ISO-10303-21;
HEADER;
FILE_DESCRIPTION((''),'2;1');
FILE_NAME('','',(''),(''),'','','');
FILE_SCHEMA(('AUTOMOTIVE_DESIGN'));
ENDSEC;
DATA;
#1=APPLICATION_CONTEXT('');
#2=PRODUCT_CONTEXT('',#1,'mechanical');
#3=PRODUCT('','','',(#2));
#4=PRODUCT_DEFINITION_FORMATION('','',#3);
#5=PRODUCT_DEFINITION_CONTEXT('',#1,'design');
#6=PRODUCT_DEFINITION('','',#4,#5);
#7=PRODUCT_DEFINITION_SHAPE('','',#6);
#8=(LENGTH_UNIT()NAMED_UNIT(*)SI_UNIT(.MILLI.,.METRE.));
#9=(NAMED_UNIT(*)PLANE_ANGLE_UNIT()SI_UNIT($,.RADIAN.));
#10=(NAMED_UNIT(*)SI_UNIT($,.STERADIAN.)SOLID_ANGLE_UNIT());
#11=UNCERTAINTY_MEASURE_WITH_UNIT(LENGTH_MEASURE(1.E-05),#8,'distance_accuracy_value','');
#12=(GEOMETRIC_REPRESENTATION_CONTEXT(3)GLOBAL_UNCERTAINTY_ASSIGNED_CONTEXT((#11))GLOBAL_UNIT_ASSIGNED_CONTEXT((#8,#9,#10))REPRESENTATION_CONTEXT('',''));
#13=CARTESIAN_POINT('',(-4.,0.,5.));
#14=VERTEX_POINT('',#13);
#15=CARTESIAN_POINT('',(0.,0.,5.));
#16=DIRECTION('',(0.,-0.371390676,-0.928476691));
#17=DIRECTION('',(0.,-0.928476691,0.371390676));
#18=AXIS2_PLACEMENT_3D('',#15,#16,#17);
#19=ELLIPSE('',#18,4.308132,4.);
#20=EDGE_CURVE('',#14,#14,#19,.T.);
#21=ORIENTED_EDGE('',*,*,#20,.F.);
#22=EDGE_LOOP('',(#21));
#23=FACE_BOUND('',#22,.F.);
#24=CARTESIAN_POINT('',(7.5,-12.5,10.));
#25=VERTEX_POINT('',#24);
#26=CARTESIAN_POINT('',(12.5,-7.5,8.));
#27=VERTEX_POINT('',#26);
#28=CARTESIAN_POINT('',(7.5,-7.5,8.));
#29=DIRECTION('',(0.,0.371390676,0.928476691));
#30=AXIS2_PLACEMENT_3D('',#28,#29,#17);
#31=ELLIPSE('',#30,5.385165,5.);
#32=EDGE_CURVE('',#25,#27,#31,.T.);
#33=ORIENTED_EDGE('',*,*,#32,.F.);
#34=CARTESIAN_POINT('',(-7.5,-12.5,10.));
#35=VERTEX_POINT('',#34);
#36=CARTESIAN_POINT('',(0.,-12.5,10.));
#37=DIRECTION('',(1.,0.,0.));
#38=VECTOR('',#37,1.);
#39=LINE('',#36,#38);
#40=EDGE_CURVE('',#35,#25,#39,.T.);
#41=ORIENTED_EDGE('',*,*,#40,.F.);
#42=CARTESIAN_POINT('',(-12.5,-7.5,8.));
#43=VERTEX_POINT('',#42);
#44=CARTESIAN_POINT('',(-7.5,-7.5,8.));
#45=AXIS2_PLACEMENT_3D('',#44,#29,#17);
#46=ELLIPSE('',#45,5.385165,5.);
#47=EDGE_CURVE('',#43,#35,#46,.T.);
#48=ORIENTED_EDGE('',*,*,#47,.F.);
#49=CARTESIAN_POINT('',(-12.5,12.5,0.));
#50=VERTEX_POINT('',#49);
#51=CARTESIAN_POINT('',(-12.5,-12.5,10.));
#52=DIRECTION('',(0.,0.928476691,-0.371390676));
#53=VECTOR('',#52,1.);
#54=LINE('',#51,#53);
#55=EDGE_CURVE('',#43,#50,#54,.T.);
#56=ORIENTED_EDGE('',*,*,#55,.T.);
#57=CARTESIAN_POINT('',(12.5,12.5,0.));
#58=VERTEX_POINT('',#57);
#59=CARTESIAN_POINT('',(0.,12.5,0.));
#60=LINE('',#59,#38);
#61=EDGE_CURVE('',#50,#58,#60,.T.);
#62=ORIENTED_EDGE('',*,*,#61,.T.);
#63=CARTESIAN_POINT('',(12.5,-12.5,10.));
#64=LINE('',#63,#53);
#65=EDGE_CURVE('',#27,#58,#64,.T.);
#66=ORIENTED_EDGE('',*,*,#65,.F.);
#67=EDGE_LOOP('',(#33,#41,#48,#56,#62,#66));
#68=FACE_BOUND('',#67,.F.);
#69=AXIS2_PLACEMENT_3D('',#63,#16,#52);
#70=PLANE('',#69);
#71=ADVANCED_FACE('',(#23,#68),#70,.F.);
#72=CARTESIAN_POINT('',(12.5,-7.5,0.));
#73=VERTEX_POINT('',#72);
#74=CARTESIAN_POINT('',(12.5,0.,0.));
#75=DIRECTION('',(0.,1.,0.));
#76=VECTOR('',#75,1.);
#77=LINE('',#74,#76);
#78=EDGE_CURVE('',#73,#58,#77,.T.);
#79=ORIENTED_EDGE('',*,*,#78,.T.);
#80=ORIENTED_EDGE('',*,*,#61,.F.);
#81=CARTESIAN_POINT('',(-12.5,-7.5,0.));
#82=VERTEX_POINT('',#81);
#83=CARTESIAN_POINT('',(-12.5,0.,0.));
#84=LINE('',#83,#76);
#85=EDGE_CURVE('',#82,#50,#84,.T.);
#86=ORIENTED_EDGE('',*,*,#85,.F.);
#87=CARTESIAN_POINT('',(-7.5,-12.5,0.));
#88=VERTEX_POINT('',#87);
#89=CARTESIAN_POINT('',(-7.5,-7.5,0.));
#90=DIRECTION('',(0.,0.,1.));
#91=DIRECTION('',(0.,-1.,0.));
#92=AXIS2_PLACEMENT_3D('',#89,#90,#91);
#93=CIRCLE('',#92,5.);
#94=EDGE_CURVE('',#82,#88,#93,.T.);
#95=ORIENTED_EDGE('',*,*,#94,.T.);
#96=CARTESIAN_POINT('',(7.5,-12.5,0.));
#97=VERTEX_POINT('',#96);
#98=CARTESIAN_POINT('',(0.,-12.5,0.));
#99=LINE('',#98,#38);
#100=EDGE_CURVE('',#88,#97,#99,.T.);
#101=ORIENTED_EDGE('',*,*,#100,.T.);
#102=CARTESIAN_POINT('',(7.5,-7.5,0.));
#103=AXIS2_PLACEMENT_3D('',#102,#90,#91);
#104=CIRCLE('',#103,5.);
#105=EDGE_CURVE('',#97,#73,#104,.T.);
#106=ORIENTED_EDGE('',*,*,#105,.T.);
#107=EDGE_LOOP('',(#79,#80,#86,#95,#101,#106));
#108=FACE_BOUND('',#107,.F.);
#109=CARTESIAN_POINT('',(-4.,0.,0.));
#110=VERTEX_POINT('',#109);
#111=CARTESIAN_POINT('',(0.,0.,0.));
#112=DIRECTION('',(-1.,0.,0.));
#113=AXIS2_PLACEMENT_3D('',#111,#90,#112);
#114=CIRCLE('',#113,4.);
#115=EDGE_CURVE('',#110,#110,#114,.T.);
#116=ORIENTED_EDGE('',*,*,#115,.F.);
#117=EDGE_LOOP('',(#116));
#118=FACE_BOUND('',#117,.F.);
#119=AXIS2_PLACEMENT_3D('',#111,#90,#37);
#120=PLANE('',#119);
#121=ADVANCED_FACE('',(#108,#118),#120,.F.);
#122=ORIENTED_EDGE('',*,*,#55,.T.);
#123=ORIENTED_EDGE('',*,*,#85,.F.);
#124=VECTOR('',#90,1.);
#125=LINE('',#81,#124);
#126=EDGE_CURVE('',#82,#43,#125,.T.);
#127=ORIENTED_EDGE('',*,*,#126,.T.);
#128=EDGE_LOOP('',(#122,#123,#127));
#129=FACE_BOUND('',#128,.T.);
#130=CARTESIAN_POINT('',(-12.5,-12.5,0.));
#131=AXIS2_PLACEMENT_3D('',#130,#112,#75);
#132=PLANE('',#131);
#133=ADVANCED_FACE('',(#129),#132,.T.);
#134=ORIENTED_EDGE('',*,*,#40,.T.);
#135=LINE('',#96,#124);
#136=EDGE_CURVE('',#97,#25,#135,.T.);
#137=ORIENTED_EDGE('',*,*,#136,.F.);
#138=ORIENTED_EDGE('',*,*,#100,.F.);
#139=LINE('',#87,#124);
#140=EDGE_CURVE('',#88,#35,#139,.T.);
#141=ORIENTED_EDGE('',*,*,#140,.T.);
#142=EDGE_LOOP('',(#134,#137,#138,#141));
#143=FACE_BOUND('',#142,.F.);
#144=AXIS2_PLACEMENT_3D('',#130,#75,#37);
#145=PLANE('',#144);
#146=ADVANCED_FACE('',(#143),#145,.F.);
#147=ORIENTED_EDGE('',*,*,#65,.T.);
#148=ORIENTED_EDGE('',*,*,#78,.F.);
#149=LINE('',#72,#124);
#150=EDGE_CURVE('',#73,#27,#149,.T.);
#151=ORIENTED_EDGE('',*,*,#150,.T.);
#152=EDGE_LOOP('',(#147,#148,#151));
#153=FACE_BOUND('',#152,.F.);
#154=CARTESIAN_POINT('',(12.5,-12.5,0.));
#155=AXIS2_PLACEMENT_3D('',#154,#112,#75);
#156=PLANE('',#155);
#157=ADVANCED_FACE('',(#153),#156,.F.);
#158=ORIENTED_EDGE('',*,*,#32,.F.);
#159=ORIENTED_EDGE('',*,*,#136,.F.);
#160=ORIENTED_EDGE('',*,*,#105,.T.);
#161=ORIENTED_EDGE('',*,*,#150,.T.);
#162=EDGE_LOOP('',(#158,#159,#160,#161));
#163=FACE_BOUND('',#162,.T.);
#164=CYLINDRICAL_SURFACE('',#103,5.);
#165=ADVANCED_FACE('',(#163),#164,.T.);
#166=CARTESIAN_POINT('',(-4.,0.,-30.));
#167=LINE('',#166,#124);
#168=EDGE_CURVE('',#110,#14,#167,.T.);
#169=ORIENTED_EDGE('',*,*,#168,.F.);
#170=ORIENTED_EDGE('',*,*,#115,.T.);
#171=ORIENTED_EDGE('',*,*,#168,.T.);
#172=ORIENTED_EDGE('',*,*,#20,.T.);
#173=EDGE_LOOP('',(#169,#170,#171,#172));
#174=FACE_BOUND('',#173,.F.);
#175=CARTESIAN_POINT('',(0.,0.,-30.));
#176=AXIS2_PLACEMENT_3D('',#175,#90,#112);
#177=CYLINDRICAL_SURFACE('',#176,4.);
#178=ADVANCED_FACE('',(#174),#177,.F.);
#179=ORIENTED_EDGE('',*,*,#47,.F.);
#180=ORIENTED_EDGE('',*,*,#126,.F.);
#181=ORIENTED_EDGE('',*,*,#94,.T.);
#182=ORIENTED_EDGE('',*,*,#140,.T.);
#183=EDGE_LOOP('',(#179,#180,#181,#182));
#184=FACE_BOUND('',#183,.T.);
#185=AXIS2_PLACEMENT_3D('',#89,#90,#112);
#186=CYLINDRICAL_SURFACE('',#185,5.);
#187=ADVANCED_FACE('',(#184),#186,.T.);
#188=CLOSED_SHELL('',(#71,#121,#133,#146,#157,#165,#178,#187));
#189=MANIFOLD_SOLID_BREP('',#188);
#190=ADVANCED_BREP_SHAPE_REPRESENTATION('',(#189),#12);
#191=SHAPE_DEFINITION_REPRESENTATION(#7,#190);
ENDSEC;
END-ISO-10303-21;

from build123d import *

# Parameters (mm, degrees)
F0_W     = 25
F0_H     = 25
F1_DEPTH = 10
F3_DEPTH = 25
F5_D     = 8
F5_DEPTH = 30
F6_R     = 5


with BuildPart() as f1:
    # F0 (on Top) → F1 (new body)
    with BuildSketch(Plane.XY):
        Rectangle(F0_W, F0_H)
    extrude(amount=F1_DEPTH)

    # F2 (on face) → F3 (cut)
    with BuildSketch(Plane.YZ.offset(12.5)):
        Polygon((12.5, 10), (-12.5, 10), (12.5, 0), align=None)
    extrude(amount=-F3_DEPTH, mode=Mode.SUBTRACT)

    # F5
    with Locations(Plane(origin=(0, 0, 0), x_dir=(1, 0, 0), z_dir=(0, 0, -1))):
        with Locations((0, 0)):
            Hole(F5_D / 2, depth=F5_DEPTH)

    # F6
    f6_edges = [f1.edges().sort_by_distance(p)[0] for p in [
        (12.5, -12.5, 5),
        (-12.5, -12.5, 5),
    ]]
    fillet(f6_edges, radius=F6_R)


solid = f1.part
